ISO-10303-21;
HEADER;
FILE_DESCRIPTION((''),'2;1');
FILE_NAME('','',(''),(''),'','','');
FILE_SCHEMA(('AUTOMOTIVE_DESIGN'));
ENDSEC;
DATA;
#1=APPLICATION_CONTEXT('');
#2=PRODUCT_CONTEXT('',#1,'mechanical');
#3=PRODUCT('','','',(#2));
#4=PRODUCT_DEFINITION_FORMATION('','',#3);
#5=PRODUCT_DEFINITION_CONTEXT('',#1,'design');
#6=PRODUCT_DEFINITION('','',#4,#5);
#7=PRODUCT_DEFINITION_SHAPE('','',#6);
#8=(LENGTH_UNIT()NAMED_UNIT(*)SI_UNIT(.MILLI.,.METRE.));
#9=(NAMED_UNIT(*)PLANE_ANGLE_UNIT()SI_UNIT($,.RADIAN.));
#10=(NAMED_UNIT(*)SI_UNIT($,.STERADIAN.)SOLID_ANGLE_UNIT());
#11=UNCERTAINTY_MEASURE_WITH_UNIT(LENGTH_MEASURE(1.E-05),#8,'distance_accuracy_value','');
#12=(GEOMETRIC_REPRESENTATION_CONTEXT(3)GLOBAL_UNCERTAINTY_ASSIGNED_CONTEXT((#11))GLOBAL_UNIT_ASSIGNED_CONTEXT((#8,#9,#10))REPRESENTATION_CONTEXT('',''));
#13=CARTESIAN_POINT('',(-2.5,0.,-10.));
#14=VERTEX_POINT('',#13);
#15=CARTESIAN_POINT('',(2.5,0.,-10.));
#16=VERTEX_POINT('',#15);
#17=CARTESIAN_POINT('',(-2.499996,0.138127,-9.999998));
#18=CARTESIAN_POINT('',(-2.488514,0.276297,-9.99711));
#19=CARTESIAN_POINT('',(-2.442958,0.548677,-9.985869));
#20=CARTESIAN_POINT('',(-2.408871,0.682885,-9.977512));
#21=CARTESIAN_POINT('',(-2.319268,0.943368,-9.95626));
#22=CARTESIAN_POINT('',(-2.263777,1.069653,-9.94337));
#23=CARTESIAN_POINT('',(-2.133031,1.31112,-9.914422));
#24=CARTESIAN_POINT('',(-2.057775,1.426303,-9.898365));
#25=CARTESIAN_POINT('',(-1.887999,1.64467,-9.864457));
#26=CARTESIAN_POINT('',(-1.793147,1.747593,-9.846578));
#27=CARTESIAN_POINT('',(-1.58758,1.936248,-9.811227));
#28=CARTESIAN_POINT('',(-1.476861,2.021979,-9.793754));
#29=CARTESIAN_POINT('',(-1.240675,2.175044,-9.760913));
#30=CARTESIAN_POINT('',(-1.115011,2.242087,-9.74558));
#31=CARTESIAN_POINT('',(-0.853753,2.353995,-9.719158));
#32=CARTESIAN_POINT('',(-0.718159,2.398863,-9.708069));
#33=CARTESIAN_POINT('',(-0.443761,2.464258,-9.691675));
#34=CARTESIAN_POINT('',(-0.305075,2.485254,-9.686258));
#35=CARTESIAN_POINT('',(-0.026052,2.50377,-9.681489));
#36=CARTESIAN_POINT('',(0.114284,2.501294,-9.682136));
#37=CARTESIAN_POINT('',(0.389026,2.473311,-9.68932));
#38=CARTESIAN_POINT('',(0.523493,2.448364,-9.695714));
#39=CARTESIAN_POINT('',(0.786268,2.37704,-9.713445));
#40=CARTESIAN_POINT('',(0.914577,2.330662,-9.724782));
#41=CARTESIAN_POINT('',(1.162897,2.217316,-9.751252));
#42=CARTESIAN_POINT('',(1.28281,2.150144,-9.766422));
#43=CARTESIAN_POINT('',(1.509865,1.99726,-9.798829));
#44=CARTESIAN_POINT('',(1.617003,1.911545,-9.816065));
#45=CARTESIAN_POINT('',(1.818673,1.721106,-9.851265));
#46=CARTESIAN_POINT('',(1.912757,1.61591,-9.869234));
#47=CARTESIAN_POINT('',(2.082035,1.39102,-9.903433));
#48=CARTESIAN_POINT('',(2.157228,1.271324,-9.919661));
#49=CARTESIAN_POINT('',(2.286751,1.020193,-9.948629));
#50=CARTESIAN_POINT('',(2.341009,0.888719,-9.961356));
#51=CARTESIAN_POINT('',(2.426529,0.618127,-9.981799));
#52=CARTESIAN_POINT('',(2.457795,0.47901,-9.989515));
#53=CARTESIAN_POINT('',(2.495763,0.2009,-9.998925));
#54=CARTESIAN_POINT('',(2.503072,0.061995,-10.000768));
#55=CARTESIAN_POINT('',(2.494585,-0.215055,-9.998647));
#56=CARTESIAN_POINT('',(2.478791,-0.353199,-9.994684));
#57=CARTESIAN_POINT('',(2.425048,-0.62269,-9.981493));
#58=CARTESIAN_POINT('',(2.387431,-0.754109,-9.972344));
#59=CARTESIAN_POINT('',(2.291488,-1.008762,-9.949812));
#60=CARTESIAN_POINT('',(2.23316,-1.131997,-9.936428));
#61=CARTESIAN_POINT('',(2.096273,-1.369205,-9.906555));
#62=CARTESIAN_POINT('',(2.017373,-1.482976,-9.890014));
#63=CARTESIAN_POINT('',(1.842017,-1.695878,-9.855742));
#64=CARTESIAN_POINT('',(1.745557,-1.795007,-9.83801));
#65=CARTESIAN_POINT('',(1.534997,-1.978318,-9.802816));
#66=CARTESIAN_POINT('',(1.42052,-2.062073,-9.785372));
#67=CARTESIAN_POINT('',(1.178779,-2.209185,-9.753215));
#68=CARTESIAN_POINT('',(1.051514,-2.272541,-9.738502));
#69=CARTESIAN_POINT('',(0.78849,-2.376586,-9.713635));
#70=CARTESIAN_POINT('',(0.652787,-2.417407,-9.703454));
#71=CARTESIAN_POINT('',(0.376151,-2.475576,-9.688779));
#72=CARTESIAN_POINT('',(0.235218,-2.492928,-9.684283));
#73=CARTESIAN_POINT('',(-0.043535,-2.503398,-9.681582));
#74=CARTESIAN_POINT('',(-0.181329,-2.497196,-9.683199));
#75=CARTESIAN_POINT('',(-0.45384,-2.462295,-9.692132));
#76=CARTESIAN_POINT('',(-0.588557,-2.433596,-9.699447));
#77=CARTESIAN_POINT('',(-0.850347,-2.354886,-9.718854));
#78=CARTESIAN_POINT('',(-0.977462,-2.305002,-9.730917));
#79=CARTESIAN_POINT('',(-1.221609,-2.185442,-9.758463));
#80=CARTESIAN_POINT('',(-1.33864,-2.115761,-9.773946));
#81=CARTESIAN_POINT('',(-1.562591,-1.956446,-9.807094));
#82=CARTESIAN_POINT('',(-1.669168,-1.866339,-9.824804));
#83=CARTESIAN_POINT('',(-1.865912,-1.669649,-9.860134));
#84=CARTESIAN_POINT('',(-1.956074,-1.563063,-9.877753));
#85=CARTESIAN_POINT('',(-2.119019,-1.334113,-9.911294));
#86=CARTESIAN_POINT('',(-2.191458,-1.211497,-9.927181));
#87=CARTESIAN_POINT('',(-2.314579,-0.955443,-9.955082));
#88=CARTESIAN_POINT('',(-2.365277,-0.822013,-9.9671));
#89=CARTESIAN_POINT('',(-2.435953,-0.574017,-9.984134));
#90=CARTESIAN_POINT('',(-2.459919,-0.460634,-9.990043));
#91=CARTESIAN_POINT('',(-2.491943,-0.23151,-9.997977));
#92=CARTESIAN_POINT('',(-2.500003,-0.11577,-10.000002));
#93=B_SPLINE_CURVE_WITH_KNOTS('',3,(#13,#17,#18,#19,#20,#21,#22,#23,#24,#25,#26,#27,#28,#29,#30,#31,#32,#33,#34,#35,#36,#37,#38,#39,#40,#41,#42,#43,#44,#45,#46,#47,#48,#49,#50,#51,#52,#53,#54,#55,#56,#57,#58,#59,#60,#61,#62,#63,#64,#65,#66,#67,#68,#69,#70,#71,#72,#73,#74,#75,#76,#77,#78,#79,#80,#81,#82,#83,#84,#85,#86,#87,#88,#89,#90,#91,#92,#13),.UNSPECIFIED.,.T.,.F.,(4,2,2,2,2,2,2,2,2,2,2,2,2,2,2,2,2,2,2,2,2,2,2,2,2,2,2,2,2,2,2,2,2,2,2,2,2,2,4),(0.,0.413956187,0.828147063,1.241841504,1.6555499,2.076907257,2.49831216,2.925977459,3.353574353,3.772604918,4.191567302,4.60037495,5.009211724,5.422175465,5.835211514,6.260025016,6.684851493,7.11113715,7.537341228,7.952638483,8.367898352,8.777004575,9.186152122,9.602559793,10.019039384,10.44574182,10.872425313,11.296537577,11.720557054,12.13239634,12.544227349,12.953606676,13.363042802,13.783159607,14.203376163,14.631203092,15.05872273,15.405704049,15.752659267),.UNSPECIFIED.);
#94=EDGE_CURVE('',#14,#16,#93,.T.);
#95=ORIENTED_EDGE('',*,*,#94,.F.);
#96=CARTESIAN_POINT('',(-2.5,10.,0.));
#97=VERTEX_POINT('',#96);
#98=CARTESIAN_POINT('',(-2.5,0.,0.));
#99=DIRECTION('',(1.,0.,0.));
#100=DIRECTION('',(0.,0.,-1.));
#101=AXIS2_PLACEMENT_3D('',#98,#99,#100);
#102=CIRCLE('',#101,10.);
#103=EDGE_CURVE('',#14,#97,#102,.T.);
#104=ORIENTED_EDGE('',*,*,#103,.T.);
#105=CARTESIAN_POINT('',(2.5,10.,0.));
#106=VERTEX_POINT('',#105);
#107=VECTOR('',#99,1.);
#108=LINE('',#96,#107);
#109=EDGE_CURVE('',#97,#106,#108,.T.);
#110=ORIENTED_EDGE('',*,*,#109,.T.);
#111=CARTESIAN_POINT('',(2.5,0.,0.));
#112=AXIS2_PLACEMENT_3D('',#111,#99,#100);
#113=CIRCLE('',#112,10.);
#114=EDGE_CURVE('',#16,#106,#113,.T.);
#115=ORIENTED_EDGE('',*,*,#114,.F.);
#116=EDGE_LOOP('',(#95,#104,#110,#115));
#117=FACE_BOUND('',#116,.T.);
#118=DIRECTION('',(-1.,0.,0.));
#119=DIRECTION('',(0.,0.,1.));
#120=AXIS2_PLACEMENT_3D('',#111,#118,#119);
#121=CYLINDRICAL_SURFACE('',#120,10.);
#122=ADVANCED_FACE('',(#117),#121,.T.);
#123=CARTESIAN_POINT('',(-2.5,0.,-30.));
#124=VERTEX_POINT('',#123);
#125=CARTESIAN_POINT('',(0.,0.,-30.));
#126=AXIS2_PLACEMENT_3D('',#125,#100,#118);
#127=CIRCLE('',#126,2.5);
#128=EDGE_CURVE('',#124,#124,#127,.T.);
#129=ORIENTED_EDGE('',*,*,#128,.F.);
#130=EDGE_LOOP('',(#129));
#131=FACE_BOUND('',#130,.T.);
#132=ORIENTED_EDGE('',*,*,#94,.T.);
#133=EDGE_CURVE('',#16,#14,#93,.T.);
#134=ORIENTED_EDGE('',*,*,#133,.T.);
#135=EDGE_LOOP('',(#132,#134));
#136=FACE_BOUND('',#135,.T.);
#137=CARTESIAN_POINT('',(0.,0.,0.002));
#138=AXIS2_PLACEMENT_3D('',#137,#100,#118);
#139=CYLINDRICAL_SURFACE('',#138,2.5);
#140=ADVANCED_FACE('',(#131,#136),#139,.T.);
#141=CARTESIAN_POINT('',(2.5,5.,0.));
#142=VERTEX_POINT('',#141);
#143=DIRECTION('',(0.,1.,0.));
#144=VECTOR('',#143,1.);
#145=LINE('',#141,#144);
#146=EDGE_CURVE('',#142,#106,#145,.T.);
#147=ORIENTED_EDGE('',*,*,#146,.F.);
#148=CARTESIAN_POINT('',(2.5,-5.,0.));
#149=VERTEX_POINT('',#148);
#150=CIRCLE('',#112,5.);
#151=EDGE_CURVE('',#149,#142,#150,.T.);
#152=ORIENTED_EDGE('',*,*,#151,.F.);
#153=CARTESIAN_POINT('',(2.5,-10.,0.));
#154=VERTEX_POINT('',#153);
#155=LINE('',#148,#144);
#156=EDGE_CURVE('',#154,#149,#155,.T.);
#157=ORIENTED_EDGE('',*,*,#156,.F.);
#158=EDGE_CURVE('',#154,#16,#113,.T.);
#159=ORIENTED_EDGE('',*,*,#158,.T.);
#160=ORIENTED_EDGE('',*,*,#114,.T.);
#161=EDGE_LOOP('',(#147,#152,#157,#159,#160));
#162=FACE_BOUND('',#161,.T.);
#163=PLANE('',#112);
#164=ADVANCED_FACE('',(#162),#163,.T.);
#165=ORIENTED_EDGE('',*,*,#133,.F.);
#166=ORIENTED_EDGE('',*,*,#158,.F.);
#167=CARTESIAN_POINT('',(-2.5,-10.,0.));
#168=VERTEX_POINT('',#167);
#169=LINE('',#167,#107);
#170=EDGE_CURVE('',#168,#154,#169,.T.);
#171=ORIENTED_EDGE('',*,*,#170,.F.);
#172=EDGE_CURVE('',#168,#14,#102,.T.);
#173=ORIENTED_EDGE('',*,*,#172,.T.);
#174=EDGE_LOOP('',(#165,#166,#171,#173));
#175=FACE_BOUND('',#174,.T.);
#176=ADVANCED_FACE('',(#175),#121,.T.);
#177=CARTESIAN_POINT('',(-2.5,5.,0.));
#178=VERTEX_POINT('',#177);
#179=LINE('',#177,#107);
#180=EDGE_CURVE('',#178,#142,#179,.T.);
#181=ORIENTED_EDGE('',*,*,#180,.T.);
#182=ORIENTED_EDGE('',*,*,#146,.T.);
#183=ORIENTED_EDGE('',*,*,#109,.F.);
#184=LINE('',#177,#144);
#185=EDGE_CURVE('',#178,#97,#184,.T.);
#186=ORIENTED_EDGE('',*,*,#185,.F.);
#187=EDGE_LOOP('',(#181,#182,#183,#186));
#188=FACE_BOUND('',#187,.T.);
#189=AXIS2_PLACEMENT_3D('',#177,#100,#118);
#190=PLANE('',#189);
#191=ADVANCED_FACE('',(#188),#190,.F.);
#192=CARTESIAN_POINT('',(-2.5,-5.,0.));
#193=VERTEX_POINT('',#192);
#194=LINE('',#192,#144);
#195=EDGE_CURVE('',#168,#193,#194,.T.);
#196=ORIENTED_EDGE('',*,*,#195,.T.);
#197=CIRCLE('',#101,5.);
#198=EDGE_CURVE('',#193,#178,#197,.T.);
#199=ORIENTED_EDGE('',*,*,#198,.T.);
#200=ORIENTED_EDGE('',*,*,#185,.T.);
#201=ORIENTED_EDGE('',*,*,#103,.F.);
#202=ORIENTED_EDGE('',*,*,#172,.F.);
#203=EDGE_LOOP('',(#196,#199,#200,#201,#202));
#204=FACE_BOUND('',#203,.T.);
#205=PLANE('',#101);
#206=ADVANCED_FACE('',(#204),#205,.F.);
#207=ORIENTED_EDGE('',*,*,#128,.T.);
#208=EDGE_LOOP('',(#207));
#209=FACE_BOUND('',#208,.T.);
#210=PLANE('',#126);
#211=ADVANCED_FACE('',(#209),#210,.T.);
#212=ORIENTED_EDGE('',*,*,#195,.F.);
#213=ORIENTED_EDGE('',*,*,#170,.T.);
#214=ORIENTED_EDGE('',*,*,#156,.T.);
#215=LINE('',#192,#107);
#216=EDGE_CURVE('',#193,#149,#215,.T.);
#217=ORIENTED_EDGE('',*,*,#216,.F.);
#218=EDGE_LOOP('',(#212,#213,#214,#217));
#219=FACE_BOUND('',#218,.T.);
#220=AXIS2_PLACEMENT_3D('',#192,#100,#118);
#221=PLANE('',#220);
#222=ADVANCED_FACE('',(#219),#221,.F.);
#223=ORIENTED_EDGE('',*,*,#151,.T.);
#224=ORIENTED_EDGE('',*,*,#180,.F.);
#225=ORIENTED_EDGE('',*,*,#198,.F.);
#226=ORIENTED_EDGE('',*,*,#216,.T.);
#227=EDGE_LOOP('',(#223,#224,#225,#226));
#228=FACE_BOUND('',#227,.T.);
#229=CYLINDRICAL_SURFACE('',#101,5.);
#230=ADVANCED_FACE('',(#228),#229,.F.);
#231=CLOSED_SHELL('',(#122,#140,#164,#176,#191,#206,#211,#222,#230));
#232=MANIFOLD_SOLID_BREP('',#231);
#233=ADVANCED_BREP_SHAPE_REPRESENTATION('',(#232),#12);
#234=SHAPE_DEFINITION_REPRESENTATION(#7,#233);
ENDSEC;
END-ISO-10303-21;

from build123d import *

# Parameters (mm, degrees)
SKETCH2_R               = 10
BOSS_EXTRUDE1_DEPTH     = 2.5
CUT_EXTRUDE1_DEPTH      = 1
CUT_EXTRUDE1_DEPTH_BACK = 6
BOSS_EXTRUDE2_REACH     = 32
SKETCH4_R               = 2.5


with BuildPart() as part:
    # Sketch2 → Boss-Extrude1 (new body, symmetric)
    with BuildSketch(Plane(origin=(0, 0, 0), x_dir=(0, 0, -1), z_dir=(1, 0, 0))):
        Circle(SKETCH2_R)
    extrude(amount=BOSS_EXTRUDE1_DEPTH, both=True)

    # Sketch3 → Cut-Extrude1 (cut, two sides)
    with BuildSketch(Plane(origin=(2.5, 0, 0), x_dir=(0, 0, -1), z_dir=(1, 0, 0))) as cut_extrude1_sk:
        with BuildLine():
            Line((0, 5), (0, 10))
            ThreePointArc((0, 10), (-10, 0), (0, -10))
            Line((0, -10), (0, -5))
            ThreePointArc((0, -5), (5, 0), (0, 5))
        make_face()
    extrude(amount=CUT_EXTRUDE1_DEPTH, mode=Mode.SUBTRACT)
    extrude(cut_extrude1_sk.sketch, amount=-CUT_EXTRUDE1_DEPTH_BACK, mode=Mode.SUBTRACT)

    # Sketch4 → Boss-Extrude2 (add, up to next)
    with BuildSketch(Plane(origin=(0, 0, -30), x_dir=(-1, 0, 0), z_dir=(0, 0, -1)), mode=Mode.PRIVATE) as boss_extrude2_sk1:
        Circle(SKETCH4_R)
    boss_extrude2_tool1 = extrude(boss_extrude2_sk1.sketch, amount=-BOSS_EXTRUDE2_REACH, mode=Mode.PRIVATE) - part.part
    add(boss_extrude2_tool1.solids().sort_by_distance((0, 0, -30))[0])


solid = part.part
